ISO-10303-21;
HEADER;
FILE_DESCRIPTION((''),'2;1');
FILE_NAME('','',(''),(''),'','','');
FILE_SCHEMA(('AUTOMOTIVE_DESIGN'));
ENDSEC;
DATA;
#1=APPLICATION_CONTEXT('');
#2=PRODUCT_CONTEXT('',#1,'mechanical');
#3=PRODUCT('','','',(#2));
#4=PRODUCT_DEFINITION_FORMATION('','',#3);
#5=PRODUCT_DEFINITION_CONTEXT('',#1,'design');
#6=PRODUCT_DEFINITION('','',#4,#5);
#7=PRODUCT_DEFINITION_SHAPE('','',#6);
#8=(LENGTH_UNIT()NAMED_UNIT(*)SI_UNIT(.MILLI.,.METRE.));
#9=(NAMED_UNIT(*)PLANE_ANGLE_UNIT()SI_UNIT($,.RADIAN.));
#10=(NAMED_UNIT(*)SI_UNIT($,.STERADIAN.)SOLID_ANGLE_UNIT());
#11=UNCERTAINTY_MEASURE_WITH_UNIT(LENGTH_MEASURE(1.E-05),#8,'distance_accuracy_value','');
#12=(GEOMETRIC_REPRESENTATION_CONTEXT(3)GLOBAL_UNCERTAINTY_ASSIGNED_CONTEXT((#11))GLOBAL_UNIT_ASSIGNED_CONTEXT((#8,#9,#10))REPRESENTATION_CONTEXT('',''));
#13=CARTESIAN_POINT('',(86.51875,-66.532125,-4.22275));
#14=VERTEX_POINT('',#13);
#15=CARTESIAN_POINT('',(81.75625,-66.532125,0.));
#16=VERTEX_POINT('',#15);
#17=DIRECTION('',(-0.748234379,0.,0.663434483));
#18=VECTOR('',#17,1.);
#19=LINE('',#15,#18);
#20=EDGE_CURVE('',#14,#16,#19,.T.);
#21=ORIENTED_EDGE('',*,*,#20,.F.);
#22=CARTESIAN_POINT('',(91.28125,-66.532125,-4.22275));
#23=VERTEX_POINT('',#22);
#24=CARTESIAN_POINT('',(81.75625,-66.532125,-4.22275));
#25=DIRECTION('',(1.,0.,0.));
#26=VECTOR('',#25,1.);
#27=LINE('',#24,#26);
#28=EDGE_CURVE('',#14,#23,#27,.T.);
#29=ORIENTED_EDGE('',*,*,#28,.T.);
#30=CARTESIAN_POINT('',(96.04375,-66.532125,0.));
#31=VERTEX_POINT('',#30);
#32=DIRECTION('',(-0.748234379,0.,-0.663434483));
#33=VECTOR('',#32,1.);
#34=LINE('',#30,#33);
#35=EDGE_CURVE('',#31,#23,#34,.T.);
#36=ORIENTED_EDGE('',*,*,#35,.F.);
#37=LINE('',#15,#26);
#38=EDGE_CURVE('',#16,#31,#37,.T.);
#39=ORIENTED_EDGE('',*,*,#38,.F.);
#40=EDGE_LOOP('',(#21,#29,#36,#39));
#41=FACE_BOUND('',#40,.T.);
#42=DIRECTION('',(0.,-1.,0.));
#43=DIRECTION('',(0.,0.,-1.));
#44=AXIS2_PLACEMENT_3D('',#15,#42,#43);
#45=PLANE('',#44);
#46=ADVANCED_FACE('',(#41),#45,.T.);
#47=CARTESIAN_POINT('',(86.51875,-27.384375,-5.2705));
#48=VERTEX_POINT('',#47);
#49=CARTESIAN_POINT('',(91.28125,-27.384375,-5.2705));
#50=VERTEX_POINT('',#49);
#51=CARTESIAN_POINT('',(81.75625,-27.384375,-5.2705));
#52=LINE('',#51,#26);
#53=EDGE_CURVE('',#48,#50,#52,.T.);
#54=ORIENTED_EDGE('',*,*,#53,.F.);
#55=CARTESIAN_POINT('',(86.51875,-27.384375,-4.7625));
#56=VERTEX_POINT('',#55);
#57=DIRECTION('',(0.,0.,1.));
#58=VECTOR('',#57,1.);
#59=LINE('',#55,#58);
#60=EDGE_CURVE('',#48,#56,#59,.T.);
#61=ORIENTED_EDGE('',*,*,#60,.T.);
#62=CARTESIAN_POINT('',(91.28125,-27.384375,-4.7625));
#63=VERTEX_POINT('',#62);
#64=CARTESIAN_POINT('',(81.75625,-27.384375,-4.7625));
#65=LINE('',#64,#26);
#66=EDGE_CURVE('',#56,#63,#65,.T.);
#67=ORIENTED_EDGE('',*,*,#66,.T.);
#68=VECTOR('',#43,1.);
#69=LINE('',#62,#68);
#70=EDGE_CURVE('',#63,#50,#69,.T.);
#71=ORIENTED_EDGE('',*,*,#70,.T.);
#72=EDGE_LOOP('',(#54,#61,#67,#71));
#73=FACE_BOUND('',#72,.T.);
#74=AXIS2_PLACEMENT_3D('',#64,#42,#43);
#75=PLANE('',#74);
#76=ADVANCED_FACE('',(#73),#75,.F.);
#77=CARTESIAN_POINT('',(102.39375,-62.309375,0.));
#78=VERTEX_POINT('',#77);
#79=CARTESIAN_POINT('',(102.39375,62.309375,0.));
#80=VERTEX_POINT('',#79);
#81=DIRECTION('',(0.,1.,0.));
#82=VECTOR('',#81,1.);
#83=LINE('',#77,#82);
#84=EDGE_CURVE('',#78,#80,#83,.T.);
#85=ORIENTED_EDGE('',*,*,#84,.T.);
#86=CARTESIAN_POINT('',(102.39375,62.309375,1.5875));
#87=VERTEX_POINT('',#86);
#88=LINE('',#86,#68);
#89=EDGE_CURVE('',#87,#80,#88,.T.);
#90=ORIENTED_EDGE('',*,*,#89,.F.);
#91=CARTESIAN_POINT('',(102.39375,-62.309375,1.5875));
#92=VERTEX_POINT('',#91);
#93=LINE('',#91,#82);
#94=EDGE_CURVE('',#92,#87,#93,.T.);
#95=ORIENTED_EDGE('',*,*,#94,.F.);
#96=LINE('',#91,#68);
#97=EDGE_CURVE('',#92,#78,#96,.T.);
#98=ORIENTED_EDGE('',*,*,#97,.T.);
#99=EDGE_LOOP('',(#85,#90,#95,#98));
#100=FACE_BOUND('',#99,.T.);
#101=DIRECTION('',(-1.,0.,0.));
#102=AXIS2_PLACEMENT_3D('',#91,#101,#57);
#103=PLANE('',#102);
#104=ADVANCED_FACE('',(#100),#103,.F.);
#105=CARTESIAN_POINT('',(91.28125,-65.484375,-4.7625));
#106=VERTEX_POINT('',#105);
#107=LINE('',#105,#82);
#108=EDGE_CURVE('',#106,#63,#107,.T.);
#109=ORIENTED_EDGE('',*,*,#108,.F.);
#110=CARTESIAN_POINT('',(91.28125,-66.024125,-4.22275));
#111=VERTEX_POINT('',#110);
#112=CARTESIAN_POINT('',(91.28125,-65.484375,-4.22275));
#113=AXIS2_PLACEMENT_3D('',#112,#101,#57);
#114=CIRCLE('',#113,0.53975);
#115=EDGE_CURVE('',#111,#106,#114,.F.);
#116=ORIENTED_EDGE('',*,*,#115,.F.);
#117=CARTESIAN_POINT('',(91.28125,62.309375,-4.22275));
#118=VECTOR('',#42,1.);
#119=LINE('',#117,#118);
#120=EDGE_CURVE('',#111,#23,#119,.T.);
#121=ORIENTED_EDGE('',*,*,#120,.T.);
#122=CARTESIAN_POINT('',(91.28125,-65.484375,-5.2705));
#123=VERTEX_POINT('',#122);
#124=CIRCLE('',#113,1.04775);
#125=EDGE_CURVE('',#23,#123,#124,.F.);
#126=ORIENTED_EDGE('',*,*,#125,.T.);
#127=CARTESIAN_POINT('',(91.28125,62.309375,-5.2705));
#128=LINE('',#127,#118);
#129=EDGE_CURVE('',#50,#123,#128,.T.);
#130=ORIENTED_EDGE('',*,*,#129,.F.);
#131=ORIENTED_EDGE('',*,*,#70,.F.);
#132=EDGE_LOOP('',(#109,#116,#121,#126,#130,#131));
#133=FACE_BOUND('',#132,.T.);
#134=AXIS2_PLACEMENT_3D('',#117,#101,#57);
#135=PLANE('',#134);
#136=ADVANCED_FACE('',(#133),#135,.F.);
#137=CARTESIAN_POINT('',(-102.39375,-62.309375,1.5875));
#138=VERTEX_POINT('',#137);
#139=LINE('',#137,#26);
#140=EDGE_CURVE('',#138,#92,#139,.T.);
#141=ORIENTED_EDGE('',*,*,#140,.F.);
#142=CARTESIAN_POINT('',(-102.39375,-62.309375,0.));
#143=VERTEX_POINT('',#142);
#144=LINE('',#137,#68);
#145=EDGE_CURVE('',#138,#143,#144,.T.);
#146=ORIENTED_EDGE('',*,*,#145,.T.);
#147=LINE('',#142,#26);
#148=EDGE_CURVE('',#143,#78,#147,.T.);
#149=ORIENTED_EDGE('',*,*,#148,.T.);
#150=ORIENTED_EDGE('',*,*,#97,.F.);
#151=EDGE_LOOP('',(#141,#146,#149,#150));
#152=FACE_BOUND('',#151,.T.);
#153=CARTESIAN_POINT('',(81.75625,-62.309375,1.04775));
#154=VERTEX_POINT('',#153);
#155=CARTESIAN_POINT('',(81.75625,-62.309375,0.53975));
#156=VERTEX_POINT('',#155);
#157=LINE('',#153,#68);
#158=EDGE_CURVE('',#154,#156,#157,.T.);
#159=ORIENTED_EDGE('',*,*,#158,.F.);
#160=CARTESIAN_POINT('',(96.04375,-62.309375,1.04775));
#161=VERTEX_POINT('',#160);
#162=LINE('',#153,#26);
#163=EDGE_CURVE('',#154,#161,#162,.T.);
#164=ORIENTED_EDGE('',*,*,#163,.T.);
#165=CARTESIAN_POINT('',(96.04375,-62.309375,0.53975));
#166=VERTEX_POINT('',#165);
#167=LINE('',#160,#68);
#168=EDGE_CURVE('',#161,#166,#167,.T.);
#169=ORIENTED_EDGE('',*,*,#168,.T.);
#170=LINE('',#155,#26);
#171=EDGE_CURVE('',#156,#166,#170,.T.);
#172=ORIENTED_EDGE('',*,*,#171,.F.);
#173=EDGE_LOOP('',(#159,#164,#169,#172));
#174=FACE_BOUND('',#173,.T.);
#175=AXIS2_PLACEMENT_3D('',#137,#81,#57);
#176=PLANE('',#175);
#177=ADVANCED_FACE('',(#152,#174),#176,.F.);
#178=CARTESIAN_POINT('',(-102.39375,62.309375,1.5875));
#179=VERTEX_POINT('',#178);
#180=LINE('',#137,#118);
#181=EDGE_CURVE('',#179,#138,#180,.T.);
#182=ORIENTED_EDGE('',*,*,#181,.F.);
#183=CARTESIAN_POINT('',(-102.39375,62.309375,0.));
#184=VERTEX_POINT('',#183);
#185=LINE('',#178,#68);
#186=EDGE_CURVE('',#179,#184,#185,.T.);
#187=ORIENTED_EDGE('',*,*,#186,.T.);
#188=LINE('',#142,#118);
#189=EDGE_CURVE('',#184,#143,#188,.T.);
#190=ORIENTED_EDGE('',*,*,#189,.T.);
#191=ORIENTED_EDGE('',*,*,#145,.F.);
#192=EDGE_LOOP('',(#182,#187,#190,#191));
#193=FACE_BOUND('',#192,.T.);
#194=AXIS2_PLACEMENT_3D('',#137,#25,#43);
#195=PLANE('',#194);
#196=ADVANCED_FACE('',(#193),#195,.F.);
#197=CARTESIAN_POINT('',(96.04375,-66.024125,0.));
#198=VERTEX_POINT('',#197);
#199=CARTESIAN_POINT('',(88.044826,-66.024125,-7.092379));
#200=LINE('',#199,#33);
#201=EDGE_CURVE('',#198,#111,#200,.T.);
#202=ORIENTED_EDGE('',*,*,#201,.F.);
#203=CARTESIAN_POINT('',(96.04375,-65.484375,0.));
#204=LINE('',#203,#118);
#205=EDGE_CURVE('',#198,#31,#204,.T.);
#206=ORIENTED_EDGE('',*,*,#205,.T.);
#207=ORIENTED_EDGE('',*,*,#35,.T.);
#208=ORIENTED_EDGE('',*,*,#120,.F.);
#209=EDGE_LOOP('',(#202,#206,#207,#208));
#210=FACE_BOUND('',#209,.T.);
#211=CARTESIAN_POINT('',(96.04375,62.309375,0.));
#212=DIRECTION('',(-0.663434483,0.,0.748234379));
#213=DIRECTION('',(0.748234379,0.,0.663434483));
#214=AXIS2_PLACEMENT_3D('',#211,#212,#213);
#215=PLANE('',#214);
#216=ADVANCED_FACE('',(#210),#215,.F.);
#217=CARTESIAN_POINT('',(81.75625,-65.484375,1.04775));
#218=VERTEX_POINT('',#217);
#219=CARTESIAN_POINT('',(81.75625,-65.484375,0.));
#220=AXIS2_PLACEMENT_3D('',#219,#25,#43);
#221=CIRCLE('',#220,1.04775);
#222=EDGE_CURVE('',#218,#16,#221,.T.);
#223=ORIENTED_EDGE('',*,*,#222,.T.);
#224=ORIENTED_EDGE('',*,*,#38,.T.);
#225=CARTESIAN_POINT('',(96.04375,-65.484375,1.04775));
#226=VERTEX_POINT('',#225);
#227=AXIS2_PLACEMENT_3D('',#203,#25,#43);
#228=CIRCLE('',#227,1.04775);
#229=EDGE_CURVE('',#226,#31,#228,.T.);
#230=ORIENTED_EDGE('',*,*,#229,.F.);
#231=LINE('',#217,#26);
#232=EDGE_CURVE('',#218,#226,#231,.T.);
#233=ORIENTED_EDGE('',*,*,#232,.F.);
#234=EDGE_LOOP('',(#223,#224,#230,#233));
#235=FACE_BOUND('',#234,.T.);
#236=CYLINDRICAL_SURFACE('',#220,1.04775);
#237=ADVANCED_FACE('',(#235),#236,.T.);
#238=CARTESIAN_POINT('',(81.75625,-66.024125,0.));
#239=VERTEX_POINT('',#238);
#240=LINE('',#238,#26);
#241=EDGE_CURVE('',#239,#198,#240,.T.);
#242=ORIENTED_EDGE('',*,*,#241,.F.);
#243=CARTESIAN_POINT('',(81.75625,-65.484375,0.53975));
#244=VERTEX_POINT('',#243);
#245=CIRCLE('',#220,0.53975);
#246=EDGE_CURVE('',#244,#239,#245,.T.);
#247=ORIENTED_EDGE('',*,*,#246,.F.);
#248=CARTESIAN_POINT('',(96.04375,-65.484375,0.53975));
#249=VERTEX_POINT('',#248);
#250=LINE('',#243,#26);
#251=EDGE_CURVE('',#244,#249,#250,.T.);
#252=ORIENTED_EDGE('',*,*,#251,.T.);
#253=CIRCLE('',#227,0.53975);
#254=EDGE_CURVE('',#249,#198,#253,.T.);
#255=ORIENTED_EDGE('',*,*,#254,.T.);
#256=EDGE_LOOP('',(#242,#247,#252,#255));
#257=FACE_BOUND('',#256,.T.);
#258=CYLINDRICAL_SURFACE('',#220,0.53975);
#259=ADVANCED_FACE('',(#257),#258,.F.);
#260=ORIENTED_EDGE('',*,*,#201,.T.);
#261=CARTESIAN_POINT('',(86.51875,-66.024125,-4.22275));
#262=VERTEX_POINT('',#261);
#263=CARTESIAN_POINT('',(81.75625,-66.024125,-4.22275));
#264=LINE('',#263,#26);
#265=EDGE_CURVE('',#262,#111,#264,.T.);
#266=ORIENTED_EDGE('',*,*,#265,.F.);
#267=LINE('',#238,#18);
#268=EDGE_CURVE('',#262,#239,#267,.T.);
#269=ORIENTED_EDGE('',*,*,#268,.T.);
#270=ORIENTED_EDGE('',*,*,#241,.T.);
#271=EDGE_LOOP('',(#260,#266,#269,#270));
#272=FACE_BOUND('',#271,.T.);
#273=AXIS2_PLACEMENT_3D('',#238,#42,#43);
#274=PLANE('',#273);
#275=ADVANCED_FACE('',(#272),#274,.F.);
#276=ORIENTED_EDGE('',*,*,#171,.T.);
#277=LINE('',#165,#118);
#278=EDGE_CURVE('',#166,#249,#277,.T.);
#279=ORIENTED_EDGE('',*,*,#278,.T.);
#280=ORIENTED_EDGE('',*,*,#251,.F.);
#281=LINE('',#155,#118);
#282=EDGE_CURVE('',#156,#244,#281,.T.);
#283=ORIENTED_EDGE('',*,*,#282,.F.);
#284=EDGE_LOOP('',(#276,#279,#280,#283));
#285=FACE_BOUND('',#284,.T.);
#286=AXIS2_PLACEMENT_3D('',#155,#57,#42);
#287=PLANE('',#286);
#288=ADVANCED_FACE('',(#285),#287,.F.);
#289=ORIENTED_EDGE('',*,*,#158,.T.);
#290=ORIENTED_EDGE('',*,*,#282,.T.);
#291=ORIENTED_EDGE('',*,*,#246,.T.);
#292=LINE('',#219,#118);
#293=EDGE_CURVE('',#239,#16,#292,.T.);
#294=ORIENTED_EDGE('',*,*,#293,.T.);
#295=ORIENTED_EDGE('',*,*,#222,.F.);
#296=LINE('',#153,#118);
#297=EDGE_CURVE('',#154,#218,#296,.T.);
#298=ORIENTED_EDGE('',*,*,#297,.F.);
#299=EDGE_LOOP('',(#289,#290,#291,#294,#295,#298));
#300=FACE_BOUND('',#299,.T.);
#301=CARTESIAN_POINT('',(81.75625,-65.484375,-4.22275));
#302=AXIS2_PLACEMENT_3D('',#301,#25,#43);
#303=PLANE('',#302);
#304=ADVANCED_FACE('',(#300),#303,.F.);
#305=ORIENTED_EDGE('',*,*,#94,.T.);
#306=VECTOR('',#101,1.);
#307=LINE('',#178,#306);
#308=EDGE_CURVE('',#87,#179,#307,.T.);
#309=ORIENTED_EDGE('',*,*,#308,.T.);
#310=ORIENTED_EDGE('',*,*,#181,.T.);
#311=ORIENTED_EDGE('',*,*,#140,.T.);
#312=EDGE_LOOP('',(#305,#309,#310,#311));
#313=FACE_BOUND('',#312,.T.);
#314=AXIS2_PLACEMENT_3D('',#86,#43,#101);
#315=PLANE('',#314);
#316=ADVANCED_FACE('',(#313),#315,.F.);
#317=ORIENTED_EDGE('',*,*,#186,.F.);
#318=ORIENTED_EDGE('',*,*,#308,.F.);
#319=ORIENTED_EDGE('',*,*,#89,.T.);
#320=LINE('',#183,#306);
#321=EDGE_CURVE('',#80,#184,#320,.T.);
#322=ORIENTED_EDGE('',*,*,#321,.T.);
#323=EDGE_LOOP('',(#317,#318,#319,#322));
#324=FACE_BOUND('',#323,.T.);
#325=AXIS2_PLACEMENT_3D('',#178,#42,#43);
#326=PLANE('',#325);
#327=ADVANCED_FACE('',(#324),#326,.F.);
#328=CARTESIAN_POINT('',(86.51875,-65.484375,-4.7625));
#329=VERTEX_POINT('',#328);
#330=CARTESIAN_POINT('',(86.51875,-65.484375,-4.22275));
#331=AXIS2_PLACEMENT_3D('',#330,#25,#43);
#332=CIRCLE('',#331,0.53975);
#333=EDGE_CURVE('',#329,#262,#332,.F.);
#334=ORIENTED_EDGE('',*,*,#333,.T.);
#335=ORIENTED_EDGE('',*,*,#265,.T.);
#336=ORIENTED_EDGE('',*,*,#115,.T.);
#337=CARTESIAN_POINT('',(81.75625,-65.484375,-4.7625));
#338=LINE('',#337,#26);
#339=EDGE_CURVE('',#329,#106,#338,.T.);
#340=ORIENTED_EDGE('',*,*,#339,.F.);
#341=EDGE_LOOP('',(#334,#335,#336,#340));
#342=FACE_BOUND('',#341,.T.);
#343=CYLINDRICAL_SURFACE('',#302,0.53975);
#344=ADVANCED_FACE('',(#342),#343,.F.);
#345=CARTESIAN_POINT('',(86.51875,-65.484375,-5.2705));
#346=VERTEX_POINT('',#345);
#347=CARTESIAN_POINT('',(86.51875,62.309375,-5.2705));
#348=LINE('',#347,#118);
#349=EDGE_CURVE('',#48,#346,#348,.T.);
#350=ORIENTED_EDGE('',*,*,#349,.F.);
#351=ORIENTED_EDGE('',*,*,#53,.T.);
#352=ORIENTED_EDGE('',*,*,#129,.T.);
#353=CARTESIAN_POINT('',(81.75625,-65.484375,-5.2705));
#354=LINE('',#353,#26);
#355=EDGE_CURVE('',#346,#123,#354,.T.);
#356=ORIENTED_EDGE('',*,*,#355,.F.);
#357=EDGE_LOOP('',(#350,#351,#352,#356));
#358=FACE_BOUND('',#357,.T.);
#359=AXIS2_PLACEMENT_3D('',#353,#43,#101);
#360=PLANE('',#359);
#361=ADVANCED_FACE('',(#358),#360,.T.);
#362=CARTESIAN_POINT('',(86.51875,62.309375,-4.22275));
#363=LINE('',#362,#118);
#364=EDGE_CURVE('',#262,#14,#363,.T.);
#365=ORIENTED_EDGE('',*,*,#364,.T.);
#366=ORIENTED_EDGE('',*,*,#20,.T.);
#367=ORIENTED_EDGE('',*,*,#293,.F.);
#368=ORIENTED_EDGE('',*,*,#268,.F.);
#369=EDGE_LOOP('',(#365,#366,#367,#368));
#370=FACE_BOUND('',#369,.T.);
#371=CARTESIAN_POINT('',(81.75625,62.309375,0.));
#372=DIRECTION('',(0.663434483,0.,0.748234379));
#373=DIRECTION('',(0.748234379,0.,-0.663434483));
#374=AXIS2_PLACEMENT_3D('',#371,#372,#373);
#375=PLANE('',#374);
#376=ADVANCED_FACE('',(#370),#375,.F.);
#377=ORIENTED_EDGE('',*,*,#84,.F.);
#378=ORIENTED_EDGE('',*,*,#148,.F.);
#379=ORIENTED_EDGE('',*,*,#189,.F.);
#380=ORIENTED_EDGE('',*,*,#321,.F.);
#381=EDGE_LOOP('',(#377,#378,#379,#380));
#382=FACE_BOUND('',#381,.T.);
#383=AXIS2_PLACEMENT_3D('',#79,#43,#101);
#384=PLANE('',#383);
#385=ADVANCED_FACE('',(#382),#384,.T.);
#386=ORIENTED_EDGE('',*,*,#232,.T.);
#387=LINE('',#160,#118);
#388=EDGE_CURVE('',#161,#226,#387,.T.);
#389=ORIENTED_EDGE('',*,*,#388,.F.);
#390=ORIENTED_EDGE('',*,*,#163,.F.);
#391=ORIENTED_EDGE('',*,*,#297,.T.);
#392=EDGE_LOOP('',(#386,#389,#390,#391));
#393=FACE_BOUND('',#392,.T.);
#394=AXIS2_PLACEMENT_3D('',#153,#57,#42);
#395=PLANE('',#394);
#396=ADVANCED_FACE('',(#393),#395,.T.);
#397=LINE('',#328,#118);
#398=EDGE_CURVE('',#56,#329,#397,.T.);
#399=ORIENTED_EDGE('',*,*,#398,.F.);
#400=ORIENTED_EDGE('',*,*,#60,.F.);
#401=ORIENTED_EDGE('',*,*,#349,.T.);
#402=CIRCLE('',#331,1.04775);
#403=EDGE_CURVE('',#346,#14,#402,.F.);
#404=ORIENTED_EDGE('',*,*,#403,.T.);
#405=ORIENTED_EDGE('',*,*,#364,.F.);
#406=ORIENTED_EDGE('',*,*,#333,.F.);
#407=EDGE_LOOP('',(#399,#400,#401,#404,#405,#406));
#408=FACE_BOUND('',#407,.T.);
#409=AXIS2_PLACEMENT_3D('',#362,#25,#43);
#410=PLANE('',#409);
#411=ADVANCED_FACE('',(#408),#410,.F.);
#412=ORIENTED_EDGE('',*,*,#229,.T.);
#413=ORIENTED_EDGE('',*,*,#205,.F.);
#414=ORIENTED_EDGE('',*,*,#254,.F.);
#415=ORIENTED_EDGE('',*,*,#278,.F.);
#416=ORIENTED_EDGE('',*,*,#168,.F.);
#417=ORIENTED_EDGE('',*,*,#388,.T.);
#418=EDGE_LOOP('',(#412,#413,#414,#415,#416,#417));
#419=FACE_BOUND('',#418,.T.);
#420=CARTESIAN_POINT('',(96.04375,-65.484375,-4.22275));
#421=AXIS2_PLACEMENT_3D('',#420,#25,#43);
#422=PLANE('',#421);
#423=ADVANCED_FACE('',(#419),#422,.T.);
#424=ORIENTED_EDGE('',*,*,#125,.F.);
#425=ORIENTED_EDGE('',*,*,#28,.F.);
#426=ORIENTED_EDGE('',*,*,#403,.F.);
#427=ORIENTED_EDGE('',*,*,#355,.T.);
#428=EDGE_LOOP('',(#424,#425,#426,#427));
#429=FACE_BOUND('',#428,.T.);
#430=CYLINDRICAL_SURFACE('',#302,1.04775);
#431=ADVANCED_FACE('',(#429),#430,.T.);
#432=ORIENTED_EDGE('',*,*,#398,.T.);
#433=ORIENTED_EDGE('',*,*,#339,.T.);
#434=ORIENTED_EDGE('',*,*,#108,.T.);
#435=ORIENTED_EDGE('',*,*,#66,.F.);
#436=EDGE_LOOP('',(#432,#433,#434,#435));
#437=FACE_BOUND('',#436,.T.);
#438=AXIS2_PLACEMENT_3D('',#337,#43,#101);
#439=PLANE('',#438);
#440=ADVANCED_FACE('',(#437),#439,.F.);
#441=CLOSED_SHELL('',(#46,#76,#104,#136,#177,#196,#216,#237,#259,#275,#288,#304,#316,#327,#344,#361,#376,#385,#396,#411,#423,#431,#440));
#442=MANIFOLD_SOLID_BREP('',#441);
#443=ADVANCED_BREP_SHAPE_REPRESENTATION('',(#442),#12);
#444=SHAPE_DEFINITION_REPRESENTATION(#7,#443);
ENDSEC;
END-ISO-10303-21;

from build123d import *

# Parameters (mm, degrees)
SKETCH1_W           = 204.7875
SKETCH1_H           = 124.61875
BOSS_EXTRUDE1_DEPTH = 1.5875
EXTRUDE_THIN1_DEPTH = 14.2875
CUT_EXTRUDE1_DEPTH  = 165.658404983


with BuildPart() as part:
    # Sketch1 → Boss-Extrude1 (new body)
    with BuildSketch(Plane.XY):
        Rectangle(SKETCH1_W, SKETCH1_H)
    extrude(amount=BOSS_EXTRUDE1_DEPTH)

    # Sketch2 → Extrude-Thin1 (add)
    with BuildSketch(Plane(origin=(96.04375, 0, 0), x_dir=(0, 0, -1), z_dir=(1, 0, 0))):
        with BuildLine():
            Line((-1.04775, -62.309375), (-1.04775, -65.484375))
            ThreePointArc((-1.04775, -65.484375), (-0.74087113, -66.22524613), (0, -66.532125))
            Line((0, -66.532125), (4.22275, -66.532125))
            ThreePointArc((4.22275, -66.532125), (4.96362113, -66.22524613), (5.2705, -65.484375))
            Line((5.2705, -65.484375), (5.2705, -27.384375))
            Line((5.2705, -27.384375), (4.7625, -27.384375))
            Line((4.7625, -27.384375), (4.7625, -65.484375))
            ThreePointArc((4.7625, -65.484375), (4.604410885, -65.866035885), (4.22275, -66.024125))
            Line((4.22275, -66.024125), (0, -66.024125))
            ThreePointArc((0, -66.024125), (-0.381660885, -65.866035885), (-0.53975, -65.484375))
            Line((-0.53975, -65.484375), (-0.53975, -62.309375))
            Line((-0.53975, -62.309375), (-1.04775, -62.309375))
        make_face()
    extrude(amount=-EXTRUDE_THIN1_DEPTH)

    # Sketch3 → Cut-Extrude1 (cut, through all)
    with BuildSketch(Plane.XZ.offset(66.532125)):
        Polygon((81.75625, 0), (86.51875, -4.22275), (86.51875, -5.2705), (81.75625, -5.2705), align=None)
        Polygon((91.28125, -4.22275), (91.28125, -5.2705), (96.04375, -5.2705), (96.04375, 0), align=None)
    extrude(amount=-CUT_EXTRUDE1_DEPTH, mode=Mode.SUBTRACT)


solid = part.part
